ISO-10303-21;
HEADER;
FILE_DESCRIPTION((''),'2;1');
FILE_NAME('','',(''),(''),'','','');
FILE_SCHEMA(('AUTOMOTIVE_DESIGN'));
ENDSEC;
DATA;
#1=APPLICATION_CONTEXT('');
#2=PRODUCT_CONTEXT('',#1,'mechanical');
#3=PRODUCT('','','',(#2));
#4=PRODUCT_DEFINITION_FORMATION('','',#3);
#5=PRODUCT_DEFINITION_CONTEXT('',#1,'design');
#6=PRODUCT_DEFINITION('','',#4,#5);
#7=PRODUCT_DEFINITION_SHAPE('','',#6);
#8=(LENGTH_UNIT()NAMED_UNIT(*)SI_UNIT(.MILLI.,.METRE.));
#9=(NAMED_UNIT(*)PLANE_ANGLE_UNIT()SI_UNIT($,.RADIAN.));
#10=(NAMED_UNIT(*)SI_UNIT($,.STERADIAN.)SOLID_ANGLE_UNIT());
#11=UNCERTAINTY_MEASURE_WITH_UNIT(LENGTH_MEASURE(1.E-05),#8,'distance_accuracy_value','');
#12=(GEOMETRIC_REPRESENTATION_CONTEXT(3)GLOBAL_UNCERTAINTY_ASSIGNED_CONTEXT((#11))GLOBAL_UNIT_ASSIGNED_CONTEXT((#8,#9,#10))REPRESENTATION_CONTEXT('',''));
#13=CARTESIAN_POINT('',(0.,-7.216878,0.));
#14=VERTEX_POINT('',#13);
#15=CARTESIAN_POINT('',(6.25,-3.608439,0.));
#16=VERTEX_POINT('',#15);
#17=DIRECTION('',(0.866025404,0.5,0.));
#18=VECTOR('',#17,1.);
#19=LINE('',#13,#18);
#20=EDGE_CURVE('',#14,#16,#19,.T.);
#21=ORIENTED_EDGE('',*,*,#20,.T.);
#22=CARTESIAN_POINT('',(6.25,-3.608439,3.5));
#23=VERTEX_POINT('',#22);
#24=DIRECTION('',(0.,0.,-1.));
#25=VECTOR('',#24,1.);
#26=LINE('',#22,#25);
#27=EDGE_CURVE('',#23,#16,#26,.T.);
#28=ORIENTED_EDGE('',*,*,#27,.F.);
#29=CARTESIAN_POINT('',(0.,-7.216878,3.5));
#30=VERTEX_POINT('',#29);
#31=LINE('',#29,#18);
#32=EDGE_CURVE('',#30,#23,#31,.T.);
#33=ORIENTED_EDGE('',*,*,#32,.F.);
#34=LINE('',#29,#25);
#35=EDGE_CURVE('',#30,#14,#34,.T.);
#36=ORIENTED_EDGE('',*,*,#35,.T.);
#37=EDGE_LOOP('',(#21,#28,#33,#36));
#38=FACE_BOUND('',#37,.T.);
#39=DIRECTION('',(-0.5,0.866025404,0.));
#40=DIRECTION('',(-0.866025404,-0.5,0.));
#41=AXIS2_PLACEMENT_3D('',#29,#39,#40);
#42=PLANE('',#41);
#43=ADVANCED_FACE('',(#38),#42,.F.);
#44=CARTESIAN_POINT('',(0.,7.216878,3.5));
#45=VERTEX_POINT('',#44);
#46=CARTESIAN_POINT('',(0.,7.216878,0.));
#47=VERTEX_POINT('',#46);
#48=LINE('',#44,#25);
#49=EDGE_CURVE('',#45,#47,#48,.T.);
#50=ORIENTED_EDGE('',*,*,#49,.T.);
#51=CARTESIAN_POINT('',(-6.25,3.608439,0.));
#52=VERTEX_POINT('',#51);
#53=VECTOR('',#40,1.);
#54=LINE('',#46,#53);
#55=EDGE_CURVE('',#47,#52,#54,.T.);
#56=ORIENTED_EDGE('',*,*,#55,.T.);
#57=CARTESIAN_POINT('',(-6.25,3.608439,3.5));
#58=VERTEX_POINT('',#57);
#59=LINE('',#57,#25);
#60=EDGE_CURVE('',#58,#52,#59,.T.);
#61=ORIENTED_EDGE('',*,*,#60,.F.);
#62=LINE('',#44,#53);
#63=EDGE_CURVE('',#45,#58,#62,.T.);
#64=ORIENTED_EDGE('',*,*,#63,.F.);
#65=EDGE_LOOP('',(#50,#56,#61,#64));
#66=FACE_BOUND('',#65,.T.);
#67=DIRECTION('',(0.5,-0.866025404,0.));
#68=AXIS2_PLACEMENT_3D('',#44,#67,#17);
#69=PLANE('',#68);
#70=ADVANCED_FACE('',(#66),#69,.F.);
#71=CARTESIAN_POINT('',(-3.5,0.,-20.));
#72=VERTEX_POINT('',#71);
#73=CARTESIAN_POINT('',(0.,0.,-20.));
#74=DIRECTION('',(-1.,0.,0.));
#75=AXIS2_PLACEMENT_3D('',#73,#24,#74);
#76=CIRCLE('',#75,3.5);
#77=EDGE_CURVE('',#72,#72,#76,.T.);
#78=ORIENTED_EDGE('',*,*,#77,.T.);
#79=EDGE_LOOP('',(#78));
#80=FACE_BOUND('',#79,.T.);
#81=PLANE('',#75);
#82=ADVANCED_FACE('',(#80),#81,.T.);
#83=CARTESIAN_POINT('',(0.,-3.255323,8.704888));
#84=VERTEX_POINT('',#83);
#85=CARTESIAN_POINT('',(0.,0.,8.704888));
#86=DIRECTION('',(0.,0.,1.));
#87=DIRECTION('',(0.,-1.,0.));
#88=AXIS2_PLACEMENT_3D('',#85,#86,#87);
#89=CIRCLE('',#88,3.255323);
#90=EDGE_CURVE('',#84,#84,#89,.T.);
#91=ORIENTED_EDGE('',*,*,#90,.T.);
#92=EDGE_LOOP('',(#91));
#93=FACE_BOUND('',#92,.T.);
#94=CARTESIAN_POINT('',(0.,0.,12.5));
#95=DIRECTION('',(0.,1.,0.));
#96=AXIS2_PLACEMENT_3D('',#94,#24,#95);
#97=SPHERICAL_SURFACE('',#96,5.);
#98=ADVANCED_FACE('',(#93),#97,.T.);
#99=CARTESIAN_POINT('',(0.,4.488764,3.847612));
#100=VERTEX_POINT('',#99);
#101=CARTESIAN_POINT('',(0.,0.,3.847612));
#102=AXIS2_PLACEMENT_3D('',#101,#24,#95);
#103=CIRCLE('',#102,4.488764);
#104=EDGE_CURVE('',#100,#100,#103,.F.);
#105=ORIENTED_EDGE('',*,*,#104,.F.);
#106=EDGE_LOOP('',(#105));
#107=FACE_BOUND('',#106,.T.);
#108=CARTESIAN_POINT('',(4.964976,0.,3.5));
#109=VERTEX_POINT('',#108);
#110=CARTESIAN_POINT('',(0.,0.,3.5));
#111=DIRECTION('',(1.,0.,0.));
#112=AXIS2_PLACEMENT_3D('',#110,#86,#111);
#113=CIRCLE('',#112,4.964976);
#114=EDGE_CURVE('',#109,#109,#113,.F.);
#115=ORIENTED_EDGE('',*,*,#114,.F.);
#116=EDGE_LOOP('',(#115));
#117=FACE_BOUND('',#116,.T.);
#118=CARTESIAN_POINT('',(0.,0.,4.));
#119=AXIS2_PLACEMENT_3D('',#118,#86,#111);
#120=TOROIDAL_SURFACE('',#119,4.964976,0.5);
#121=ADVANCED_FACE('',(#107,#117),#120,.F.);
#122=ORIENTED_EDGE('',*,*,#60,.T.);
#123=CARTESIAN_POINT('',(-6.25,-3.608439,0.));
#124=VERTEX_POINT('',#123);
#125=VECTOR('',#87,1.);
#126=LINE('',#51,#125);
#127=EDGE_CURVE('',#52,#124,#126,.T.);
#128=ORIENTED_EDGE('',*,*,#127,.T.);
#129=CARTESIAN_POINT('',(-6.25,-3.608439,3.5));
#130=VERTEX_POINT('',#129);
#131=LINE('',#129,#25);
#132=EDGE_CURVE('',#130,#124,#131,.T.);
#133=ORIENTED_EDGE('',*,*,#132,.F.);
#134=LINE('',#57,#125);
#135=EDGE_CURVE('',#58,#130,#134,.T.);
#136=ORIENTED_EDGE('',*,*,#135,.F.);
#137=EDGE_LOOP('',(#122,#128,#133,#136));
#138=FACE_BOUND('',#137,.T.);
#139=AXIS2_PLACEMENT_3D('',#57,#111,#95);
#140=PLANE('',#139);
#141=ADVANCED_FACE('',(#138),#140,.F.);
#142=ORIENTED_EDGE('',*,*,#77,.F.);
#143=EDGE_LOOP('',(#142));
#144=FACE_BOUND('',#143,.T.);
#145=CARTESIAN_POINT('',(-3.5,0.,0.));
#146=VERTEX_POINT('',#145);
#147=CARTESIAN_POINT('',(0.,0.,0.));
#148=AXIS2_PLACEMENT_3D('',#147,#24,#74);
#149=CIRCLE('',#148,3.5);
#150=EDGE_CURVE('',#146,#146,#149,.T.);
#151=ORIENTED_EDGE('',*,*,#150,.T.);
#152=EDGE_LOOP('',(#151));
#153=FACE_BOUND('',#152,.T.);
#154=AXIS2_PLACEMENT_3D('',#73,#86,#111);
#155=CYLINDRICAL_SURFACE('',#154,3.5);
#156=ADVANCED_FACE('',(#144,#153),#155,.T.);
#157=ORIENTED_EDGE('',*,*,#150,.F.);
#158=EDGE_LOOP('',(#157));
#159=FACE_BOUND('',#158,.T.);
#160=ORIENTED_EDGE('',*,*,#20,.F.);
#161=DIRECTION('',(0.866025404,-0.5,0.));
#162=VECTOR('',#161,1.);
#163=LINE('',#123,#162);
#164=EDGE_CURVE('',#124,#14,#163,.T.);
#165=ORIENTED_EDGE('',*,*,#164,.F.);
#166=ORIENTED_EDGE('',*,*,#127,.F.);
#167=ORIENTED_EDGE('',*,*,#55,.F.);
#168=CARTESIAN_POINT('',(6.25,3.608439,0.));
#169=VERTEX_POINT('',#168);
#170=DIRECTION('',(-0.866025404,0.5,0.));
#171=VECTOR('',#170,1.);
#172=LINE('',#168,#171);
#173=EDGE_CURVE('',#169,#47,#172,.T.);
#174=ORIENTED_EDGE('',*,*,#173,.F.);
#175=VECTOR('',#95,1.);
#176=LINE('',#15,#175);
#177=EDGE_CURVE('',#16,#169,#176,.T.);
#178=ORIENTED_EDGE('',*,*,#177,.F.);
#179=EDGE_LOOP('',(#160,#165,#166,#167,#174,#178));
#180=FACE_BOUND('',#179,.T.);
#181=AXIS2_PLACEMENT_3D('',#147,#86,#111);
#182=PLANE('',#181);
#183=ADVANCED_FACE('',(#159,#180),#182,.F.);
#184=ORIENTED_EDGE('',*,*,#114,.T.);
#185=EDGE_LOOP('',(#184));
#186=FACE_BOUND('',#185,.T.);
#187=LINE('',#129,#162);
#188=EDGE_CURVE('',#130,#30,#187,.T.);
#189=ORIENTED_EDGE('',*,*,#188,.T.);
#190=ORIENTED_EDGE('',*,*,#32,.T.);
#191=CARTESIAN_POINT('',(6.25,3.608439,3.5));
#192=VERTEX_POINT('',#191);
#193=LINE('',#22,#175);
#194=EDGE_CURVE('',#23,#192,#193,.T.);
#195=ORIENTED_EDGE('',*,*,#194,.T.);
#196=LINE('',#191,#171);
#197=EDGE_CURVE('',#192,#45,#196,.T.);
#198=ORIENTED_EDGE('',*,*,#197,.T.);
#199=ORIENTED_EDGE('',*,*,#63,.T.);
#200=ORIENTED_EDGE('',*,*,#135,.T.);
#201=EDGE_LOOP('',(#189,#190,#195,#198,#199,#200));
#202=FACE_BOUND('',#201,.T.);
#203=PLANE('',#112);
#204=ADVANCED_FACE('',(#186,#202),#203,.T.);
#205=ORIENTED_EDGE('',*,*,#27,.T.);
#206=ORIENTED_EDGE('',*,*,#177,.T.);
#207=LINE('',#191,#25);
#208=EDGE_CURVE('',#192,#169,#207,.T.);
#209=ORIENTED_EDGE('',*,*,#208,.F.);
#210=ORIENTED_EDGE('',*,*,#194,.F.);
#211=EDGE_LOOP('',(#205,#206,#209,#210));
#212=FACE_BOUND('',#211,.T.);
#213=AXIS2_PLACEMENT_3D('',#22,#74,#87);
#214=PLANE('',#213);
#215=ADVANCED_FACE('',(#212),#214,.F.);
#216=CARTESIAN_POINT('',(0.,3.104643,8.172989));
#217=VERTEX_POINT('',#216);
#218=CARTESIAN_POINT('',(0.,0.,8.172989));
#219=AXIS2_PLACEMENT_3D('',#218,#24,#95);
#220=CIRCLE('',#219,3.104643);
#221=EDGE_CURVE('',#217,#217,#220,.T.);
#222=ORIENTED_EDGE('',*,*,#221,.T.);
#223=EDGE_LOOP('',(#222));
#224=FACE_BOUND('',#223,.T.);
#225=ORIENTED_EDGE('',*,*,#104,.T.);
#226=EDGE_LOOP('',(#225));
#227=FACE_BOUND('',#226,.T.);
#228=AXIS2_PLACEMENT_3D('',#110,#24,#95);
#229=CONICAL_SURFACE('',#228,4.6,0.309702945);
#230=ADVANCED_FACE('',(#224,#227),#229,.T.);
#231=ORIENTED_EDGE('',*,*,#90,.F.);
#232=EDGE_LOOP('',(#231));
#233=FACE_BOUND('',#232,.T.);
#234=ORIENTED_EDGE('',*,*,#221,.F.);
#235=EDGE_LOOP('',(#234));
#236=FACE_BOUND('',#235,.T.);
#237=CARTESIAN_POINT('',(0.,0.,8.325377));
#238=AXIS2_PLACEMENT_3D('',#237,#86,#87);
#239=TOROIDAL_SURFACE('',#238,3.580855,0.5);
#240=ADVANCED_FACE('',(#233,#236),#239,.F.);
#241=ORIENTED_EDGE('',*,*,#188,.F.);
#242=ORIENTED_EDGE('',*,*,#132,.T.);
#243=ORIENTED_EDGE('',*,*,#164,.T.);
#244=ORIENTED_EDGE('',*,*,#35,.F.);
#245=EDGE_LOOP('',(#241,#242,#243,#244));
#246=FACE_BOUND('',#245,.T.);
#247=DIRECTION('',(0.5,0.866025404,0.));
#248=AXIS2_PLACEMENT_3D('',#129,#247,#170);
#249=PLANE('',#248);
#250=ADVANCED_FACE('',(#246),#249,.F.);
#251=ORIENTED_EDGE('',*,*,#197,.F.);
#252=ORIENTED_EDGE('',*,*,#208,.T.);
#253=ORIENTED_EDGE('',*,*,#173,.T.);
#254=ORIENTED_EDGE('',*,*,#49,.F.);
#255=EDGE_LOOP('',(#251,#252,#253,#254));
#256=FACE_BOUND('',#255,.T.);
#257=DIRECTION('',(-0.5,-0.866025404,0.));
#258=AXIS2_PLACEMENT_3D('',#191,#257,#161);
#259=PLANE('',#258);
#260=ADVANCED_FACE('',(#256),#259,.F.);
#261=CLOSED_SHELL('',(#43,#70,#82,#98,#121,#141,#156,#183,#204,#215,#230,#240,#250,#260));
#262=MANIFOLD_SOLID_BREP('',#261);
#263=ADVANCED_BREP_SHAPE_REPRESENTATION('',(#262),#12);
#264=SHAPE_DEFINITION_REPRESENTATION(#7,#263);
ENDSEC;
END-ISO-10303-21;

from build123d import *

# Parameters (mm, degrees)
BOSS_EXTRUDE2_DEPTH = 3.5
SKETCH3_R           = 3.5
BOSS_EXTRUDE3_DEPTH = 20
FILLET1_R           = 0.5


with BuildPart() as part:
    # Sketch2 → Boss-Extrude2 (new body)
    with BuildSketch(Plane.XY):
        Polygon((0, 7.216878365), (-6.25, 3.608439182), (-6.25, -3.608439182), (0, -7.216878365), (6.25, -3.608439182), (6.25, 3.608439182), align=None)
    extrude(amount=BOSS_EXTRUDE2_DEPTH)

    # Sketch3 → Boss-Extrude3 (add)
    with BuildSketch(Plane(origin=(0, 0, 0), x_dir=(-1, 0, 0), z_dir=(0, 0, -1))):
        Circle(SKETCH3_R)
    extrude(amount=BOSS_EXTRUDE3_DEPTH)

    # Sketch4 → Revolve1 (revolve)
    with BuildSketch(Plane(origin=(0, 0, 0), x_dir=(0, 0, -1), z_dir=(1, 0, 0))):
        with BuildLine():
            Line((-3.5, 0), (-17.5, 0))
            ThreePointArc((-17.5, 0), (-14.08113883, 4.74341649), (-8.5, 3))
            Line((-8.5, 3), (-3.5, 4.6))
            Line((-3.5, 4.6), (-3.5, 0))
        make_face()
    revolve(axis=Axis((0, 0, 3.5), (0, 0, 1)))

    # Fillet1
    fillet1_edges = [part.edges().sort_by_distance(p)[0] for p in [
        (0, -4.6, 3.5),
        (0, -3, 8.5),
    ]]
    fillet(fillet1_edges, radius=FILLET1_R)


solid = part.part
